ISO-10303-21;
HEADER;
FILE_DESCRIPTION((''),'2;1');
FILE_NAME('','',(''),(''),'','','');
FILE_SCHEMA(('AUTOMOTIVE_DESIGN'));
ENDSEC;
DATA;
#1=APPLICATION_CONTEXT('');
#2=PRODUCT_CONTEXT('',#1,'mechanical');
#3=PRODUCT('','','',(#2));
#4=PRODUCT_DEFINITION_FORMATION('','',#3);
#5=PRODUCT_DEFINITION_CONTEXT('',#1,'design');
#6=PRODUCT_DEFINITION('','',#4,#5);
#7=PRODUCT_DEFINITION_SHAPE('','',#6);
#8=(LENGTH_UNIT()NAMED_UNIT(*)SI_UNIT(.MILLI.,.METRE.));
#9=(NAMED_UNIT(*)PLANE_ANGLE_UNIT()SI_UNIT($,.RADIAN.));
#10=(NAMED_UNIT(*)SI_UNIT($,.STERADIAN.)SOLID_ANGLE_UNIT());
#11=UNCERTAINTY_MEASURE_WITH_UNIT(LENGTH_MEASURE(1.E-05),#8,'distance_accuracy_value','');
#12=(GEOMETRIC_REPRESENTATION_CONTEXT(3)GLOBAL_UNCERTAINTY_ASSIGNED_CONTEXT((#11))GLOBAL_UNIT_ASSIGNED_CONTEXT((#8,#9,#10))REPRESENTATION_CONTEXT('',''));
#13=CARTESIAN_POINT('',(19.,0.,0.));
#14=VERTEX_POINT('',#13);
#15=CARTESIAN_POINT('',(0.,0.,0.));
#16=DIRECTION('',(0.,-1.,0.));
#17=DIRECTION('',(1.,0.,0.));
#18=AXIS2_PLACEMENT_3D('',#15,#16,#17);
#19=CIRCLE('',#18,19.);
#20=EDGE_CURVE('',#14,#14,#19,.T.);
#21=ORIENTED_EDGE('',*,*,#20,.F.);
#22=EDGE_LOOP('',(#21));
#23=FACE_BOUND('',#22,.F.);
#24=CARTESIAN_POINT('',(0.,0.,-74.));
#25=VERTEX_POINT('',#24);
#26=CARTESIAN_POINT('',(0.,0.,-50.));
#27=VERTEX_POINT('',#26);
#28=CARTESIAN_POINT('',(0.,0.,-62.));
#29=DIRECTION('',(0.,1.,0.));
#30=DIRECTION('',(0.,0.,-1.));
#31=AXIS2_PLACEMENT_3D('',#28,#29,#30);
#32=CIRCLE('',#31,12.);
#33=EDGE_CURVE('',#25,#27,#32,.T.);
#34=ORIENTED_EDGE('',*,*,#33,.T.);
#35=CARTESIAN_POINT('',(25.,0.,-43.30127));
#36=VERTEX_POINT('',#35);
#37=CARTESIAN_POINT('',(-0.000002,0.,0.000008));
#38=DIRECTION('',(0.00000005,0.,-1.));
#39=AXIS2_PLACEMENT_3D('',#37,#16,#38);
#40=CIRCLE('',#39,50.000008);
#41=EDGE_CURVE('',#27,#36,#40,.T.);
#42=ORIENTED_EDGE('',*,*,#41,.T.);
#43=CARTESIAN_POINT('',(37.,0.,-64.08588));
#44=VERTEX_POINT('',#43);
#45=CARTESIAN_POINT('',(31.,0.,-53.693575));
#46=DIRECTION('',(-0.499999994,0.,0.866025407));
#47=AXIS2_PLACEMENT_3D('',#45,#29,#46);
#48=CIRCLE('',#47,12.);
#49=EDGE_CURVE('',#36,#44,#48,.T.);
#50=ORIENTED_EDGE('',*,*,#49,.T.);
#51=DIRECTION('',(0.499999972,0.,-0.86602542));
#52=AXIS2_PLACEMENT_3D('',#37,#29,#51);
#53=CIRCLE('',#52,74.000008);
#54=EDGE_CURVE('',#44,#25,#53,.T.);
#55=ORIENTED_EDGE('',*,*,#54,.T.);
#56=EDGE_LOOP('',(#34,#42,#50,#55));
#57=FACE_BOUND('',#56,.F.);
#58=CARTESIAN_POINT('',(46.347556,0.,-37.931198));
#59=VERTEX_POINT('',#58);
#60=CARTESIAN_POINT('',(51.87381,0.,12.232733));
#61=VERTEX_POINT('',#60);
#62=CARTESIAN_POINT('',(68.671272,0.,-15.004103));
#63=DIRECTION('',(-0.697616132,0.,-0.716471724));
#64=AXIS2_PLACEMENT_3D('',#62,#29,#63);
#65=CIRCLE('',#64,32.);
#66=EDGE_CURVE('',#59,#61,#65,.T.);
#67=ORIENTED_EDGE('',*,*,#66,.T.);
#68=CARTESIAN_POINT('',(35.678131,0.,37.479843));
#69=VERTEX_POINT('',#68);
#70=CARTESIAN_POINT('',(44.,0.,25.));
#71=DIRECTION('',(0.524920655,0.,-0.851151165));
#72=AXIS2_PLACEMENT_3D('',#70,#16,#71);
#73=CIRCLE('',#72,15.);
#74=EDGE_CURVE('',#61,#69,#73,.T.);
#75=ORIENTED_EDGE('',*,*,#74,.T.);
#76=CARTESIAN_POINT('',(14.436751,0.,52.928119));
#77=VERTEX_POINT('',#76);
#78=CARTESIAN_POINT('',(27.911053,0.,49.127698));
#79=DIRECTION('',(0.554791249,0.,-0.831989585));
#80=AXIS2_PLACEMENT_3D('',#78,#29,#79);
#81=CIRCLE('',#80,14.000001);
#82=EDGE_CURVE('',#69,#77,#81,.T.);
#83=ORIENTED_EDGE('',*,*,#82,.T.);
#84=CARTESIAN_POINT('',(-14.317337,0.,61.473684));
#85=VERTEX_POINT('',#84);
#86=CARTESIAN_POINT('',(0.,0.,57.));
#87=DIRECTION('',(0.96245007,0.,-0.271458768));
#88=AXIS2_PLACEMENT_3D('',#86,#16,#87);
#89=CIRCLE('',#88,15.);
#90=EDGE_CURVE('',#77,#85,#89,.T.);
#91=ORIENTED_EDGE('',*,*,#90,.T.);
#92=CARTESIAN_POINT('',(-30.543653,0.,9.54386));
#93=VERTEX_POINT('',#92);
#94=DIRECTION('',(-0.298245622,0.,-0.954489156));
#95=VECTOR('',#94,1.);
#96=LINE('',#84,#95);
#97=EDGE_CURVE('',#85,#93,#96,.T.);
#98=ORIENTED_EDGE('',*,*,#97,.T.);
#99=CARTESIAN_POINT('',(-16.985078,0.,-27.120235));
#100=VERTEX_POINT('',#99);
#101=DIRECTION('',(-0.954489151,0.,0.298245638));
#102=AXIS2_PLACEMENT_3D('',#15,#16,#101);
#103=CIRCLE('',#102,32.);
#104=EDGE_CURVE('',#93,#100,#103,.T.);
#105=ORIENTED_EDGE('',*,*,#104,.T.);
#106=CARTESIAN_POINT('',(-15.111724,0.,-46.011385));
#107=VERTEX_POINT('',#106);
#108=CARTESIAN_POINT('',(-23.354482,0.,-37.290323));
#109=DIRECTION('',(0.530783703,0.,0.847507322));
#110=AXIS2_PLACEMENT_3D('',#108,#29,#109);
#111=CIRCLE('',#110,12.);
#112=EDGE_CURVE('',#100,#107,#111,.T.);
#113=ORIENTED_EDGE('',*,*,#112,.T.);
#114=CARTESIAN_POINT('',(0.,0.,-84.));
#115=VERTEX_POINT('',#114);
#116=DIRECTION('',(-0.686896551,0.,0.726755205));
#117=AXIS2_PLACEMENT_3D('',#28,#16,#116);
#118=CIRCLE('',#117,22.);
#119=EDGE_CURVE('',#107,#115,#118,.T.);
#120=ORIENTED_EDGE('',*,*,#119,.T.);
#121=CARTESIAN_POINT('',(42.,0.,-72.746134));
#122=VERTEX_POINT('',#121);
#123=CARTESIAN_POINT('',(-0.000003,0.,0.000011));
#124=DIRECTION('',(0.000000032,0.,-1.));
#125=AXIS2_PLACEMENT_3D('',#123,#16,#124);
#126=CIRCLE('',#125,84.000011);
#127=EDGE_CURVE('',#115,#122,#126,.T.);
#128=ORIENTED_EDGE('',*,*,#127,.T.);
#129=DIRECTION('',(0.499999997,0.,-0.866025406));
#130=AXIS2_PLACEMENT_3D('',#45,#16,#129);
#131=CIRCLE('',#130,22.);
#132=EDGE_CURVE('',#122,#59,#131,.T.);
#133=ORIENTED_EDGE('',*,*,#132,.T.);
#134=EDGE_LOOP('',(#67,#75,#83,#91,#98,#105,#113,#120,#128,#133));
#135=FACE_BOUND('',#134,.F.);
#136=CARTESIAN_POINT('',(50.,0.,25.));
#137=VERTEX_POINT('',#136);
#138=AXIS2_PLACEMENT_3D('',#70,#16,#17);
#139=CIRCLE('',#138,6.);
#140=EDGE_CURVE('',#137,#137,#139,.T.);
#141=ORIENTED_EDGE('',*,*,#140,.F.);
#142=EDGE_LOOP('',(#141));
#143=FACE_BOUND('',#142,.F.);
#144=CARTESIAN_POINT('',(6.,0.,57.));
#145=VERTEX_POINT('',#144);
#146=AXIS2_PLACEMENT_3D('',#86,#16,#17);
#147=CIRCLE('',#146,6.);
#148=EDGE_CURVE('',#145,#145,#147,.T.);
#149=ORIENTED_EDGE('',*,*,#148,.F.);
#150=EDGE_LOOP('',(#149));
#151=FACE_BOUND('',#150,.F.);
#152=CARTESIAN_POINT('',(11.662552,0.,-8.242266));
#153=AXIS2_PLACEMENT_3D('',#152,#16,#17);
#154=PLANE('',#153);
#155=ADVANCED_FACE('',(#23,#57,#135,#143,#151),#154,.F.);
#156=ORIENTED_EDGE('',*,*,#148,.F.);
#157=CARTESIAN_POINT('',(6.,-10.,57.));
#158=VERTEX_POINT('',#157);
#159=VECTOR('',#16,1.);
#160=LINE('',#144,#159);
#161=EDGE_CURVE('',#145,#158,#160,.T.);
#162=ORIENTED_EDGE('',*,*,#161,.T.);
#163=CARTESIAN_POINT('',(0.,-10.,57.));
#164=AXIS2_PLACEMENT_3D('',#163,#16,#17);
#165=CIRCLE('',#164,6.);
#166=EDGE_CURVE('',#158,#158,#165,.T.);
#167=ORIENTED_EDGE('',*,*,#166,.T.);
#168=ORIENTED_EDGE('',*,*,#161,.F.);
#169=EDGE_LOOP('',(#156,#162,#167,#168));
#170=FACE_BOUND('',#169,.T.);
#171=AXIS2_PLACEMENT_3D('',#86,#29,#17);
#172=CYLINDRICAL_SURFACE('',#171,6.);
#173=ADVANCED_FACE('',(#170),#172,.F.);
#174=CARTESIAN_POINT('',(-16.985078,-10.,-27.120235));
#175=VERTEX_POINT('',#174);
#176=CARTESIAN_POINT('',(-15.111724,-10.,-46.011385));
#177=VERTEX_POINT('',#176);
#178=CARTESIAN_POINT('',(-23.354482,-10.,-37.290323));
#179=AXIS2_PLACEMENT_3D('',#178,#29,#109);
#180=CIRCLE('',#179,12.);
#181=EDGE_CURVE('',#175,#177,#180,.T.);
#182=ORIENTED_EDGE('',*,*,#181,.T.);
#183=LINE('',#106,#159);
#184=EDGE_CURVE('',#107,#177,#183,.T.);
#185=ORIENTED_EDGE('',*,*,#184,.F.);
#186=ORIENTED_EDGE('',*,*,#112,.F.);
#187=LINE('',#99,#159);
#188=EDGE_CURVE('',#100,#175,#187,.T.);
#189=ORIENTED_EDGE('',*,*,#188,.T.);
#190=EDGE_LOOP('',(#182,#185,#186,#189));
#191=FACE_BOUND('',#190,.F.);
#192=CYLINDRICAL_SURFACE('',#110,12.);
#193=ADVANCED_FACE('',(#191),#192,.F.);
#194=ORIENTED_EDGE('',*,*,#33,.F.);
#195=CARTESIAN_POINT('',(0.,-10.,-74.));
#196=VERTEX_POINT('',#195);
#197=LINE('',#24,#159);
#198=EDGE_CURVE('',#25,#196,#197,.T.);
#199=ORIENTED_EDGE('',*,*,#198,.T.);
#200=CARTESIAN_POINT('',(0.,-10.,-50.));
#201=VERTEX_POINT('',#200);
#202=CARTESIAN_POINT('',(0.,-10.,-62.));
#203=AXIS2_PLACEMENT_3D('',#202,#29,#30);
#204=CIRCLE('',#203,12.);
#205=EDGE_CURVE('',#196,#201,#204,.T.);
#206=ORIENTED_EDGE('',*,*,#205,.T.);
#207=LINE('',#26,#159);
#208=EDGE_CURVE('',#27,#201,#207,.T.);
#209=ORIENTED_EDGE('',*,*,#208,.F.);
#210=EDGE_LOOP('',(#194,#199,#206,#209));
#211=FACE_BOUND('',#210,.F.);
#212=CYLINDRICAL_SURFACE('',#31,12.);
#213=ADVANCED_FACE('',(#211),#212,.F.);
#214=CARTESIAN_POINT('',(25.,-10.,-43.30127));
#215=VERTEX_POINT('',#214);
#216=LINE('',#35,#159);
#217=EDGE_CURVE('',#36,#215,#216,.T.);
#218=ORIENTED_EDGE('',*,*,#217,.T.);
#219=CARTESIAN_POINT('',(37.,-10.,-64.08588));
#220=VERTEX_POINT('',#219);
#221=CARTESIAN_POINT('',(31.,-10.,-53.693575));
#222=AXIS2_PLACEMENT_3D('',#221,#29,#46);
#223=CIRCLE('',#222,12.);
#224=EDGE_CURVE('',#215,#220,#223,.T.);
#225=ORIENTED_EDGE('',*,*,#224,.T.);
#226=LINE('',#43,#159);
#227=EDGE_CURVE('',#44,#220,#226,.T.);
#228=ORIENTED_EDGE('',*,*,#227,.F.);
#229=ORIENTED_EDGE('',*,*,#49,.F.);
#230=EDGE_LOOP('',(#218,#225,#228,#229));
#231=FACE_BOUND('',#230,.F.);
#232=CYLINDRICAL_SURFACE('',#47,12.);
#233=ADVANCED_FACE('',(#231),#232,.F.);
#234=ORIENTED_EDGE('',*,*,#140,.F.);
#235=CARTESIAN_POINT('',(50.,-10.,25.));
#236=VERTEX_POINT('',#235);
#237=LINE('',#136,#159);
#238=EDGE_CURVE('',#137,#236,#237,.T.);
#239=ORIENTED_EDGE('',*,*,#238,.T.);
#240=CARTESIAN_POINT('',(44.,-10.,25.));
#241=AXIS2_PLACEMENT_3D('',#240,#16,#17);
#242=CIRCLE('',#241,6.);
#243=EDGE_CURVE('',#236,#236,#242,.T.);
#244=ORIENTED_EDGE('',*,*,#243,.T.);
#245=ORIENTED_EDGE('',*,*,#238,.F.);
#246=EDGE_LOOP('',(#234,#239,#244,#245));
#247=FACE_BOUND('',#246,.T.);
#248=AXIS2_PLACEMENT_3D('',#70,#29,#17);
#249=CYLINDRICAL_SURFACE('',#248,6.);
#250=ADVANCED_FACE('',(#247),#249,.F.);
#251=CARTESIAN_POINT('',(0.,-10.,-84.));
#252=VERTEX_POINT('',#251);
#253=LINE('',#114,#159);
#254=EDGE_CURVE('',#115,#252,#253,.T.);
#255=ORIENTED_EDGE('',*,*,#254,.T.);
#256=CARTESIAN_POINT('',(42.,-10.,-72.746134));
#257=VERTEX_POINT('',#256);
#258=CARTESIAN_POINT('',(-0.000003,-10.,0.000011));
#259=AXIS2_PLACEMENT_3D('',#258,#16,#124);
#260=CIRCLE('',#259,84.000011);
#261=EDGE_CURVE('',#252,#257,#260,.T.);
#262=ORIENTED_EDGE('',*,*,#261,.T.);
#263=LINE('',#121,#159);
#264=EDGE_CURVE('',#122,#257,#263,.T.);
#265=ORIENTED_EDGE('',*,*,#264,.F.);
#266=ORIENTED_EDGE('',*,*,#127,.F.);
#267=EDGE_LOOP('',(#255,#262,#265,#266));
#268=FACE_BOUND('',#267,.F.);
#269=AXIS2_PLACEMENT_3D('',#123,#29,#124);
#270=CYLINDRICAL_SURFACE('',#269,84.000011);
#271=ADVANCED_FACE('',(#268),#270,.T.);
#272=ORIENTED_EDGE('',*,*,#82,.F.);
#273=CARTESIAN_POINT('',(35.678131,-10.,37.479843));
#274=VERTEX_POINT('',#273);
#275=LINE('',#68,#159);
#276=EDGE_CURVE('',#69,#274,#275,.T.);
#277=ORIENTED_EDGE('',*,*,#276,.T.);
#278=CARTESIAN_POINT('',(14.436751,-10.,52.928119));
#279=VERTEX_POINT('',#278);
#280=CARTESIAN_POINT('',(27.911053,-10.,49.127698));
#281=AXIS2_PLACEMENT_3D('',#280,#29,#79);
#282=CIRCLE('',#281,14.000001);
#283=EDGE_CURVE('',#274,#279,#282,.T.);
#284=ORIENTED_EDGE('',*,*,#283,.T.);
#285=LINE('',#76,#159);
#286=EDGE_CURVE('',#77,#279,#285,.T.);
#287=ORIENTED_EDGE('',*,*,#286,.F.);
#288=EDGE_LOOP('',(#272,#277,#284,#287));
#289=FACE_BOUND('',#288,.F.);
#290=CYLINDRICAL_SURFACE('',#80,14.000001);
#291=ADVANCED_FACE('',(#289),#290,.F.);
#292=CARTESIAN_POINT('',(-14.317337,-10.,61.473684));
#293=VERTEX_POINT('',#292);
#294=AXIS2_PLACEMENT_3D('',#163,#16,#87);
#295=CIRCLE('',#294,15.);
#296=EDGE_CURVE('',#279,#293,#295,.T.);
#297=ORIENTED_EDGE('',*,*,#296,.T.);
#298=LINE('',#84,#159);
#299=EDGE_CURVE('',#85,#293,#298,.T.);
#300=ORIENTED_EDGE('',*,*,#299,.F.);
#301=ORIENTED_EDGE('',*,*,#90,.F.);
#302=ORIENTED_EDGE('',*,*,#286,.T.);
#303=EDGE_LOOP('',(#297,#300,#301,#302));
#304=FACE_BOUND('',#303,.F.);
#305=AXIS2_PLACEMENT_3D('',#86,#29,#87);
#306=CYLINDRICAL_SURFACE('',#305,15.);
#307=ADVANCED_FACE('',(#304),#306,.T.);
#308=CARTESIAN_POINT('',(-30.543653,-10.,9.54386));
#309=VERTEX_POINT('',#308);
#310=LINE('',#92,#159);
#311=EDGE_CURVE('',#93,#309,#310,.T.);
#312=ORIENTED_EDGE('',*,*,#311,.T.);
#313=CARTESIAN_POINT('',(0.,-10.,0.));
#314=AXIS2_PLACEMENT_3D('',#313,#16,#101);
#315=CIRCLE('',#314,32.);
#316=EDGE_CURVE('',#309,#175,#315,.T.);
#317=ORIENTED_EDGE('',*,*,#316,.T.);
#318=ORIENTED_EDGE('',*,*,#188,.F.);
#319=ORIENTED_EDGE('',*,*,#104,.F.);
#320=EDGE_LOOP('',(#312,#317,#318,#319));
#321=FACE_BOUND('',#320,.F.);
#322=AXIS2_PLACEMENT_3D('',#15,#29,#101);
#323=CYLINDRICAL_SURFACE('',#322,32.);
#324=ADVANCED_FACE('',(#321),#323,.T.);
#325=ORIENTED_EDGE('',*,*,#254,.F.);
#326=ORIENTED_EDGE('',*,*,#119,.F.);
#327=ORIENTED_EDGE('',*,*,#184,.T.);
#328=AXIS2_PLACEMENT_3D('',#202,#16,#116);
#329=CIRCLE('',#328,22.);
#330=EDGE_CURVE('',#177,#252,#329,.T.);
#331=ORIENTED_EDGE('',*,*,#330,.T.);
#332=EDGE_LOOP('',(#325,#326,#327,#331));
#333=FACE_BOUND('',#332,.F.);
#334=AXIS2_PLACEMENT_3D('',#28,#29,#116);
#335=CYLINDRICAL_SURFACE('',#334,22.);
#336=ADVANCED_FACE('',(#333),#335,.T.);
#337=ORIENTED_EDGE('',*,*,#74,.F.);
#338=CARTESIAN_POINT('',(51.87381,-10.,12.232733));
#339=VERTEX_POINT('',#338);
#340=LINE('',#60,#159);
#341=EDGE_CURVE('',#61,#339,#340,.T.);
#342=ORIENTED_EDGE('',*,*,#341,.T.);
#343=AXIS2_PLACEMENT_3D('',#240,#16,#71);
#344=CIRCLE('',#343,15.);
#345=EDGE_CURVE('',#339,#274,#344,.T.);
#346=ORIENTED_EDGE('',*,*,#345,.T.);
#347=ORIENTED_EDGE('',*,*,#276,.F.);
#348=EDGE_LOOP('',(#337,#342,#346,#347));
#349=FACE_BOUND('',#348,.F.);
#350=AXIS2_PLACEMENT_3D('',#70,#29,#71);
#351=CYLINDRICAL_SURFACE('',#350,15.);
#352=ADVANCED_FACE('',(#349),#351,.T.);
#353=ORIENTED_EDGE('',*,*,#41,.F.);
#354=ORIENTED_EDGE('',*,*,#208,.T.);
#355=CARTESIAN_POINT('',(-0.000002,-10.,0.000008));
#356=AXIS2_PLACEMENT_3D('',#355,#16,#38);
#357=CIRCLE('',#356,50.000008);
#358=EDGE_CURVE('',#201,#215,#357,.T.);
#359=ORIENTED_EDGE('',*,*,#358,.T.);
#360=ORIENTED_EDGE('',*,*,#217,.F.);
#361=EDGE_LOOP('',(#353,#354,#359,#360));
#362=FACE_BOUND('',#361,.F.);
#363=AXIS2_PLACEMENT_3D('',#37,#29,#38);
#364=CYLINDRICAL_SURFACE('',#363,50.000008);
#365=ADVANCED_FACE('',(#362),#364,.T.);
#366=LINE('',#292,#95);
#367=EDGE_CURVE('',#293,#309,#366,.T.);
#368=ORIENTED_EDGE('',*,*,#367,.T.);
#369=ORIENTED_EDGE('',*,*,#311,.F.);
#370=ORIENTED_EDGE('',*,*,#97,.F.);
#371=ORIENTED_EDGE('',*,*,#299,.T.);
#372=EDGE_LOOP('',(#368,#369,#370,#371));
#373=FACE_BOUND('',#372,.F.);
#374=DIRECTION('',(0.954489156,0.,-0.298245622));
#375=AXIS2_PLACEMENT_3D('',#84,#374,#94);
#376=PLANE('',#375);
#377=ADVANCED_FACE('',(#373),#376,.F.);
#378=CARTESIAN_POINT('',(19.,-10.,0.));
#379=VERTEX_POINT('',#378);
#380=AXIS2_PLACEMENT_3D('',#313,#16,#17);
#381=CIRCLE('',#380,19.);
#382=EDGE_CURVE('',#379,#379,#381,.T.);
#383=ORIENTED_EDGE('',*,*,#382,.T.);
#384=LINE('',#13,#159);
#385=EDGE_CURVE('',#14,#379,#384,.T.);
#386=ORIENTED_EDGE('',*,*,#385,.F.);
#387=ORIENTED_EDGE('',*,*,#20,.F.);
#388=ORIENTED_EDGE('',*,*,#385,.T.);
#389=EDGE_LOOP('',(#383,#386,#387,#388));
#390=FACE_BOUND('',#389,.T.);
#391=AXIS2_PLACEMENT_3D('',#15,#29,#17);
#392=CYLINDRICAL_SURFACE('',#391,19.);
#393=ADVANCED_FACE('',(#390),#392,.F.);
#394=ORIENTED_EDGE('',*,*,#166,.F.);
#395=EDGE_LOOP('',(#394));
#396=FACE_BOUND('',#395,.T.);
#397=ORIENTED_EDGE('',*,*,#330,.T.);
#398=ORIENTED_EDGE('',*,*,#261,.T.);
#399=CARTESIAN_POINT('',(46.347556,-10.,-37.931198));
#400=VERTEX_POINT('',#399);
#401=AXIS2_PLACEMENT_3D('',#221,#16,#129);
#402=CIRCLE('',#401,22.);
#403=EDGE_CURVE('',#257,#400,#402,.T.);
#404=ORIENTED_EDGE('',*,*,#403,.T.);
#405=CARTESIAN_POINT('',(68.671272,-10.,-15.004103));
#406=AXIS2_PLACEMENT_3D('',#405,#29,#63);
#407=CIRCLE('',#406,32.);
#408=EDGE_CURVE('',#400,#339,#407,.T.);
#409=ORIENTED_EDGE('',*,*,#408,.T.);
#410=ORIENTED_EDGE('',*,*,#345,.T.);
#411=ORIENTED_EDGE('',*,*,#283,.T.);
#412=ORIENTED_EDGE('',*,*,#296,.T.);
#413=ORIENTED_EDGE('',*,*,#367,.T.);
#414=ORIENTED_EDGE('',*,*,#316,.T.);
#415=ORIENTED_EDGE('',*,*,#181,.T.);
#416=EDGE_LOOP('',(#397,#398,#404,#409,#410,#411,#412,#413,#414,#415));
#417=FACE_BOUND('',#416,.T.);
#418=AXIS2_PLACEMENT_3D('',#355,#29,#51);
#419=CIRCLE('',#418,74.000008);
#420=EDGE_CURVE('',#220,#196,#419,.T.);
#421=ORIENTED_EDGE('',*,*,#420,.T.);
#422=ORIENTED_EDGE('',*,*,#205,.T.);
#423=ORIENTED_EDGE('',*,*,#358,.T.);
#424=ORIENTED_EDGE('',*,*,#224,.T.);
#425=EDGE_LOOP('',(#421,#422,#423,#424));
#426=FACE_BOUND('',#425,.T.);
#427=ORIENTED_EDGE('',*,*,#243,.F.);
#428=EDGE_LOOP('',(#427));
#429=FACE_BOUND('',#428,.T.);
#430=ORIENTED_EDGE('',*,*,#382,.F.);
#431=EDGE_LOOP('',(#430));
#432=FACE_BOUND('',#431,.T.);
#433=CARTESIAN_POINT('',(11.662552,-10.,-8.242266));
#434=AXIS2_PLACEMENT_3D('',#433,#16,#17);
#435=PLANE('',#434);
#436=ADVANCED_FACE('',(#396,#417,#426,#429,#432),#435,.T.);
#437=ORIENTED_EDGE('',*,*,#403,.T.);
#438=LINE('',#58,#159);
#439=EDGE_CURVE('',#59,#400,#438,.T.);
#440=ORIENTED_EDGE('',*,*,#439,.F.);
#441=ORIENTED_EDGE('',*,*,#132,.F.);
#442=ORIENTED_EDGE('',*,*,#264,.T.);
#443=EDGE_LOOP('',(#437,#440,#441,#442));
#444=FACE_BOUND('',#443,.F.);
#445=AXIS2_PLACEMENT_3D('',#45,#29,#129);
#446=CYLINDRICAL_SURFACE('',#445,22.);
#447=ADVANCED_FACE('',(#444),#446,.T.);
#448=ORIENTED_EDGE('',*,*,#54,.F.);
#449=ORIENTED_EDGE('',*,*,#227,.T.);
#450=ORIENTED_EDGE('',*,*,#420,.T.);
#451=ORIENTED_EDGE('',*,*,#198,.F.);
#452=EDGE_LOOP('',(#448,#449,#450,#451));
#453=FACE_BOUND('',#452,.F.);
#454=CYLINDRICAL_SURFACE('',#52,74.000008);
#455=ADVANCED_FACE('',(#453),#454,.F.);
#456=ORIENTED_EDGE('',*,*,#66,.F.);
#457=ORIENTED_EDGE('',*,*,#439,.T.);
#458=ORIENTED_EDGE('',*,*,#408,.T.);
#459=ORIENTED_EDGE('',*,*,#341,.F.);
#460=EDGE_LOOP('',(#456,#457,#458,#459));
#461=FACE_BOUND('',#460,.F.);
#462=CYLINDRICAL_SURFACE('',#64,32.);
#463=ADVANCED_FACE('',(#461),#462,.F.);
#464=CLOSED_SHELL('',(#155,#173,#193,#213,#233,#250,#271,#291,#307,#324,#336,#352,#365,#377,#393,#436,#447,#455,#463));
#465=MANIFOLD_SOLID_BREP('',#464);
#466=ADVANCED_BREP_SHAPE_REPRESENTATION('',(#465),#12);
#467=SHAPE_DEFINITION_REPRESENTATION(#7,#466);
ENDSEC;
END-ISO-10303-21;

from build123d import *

# Parameters (mm, degrees)
F0_R     = 19
F0_R_2   = 6
F1_DEPTH = 10


with BuildPart() as f1:
    # F0 (on Front) → F1 (new body)
    with BuildSketch(Plane.XZ):
        with BuildLine():
            ThreePointArc((35.678131, 37.479843), (19.676649, 37.805392), (14.436751, 52.928119))
            ThreePointArc((14.436751, 52.928119), (4.2732, 71.378448), (-14.317337, 61.473684))
            Line((-14.317337, 61.473684), (-30.543653, 9.54386))
            ThreePointArc((-30.543653, 9.54386), (-30.013481, -11.099143), (-16.985078, -27.120235))
            ThreePointArc((-16.985078, -27.120235), (-11.413054, -36.106142), (-15.111724, -46.011385))
            ThreePointArc((-15.111724, -46.011385), (-20.441985, -70.131743), (0, -84))
            ThreePointArc((0, -84), (21.7408, -81.137769), (42, -72.746134))
            ThreePointArc((42, -72.746134), (52.830446, -56.419677), (46.347556, -37.931198))
            ThreePointArc((46.347556, -37.931198), (36.8637, -11.500057), (51.87381, 12.232733))
            ThreePointArc((51.87381, 12.232733), (56.625543, 33.099115), (35.678131, 37.479843))
        make_face()
        with BuildLine():
            ThreePointArc((0, -74), (-12, -62), (0, -50))
            ThreePointArc((0, -50), (12.940952, -48.296291), (25, -43.30127))
            ThreePointArc((25, -43.30127), (41.392305, -47.693575), (37, -64.08588))
            ThreePointArc((37, -64.08588), (19.152609, -71.478511), (0, -74))
        make_face(mode=Mode.SUBTRACT)
        Circle(F0_R, mode=Mode.SUBTRACT)
        with Locations((0, 57)):
            Circle(F0_R_2, mode=Mode.SUBTRACT)
        with Locations((44, 25)):
            Circle(F0_R_2, mode=Mode.SUBTRACT)
    extrude(amount=F1_DEPTH)


solid = f1.part
